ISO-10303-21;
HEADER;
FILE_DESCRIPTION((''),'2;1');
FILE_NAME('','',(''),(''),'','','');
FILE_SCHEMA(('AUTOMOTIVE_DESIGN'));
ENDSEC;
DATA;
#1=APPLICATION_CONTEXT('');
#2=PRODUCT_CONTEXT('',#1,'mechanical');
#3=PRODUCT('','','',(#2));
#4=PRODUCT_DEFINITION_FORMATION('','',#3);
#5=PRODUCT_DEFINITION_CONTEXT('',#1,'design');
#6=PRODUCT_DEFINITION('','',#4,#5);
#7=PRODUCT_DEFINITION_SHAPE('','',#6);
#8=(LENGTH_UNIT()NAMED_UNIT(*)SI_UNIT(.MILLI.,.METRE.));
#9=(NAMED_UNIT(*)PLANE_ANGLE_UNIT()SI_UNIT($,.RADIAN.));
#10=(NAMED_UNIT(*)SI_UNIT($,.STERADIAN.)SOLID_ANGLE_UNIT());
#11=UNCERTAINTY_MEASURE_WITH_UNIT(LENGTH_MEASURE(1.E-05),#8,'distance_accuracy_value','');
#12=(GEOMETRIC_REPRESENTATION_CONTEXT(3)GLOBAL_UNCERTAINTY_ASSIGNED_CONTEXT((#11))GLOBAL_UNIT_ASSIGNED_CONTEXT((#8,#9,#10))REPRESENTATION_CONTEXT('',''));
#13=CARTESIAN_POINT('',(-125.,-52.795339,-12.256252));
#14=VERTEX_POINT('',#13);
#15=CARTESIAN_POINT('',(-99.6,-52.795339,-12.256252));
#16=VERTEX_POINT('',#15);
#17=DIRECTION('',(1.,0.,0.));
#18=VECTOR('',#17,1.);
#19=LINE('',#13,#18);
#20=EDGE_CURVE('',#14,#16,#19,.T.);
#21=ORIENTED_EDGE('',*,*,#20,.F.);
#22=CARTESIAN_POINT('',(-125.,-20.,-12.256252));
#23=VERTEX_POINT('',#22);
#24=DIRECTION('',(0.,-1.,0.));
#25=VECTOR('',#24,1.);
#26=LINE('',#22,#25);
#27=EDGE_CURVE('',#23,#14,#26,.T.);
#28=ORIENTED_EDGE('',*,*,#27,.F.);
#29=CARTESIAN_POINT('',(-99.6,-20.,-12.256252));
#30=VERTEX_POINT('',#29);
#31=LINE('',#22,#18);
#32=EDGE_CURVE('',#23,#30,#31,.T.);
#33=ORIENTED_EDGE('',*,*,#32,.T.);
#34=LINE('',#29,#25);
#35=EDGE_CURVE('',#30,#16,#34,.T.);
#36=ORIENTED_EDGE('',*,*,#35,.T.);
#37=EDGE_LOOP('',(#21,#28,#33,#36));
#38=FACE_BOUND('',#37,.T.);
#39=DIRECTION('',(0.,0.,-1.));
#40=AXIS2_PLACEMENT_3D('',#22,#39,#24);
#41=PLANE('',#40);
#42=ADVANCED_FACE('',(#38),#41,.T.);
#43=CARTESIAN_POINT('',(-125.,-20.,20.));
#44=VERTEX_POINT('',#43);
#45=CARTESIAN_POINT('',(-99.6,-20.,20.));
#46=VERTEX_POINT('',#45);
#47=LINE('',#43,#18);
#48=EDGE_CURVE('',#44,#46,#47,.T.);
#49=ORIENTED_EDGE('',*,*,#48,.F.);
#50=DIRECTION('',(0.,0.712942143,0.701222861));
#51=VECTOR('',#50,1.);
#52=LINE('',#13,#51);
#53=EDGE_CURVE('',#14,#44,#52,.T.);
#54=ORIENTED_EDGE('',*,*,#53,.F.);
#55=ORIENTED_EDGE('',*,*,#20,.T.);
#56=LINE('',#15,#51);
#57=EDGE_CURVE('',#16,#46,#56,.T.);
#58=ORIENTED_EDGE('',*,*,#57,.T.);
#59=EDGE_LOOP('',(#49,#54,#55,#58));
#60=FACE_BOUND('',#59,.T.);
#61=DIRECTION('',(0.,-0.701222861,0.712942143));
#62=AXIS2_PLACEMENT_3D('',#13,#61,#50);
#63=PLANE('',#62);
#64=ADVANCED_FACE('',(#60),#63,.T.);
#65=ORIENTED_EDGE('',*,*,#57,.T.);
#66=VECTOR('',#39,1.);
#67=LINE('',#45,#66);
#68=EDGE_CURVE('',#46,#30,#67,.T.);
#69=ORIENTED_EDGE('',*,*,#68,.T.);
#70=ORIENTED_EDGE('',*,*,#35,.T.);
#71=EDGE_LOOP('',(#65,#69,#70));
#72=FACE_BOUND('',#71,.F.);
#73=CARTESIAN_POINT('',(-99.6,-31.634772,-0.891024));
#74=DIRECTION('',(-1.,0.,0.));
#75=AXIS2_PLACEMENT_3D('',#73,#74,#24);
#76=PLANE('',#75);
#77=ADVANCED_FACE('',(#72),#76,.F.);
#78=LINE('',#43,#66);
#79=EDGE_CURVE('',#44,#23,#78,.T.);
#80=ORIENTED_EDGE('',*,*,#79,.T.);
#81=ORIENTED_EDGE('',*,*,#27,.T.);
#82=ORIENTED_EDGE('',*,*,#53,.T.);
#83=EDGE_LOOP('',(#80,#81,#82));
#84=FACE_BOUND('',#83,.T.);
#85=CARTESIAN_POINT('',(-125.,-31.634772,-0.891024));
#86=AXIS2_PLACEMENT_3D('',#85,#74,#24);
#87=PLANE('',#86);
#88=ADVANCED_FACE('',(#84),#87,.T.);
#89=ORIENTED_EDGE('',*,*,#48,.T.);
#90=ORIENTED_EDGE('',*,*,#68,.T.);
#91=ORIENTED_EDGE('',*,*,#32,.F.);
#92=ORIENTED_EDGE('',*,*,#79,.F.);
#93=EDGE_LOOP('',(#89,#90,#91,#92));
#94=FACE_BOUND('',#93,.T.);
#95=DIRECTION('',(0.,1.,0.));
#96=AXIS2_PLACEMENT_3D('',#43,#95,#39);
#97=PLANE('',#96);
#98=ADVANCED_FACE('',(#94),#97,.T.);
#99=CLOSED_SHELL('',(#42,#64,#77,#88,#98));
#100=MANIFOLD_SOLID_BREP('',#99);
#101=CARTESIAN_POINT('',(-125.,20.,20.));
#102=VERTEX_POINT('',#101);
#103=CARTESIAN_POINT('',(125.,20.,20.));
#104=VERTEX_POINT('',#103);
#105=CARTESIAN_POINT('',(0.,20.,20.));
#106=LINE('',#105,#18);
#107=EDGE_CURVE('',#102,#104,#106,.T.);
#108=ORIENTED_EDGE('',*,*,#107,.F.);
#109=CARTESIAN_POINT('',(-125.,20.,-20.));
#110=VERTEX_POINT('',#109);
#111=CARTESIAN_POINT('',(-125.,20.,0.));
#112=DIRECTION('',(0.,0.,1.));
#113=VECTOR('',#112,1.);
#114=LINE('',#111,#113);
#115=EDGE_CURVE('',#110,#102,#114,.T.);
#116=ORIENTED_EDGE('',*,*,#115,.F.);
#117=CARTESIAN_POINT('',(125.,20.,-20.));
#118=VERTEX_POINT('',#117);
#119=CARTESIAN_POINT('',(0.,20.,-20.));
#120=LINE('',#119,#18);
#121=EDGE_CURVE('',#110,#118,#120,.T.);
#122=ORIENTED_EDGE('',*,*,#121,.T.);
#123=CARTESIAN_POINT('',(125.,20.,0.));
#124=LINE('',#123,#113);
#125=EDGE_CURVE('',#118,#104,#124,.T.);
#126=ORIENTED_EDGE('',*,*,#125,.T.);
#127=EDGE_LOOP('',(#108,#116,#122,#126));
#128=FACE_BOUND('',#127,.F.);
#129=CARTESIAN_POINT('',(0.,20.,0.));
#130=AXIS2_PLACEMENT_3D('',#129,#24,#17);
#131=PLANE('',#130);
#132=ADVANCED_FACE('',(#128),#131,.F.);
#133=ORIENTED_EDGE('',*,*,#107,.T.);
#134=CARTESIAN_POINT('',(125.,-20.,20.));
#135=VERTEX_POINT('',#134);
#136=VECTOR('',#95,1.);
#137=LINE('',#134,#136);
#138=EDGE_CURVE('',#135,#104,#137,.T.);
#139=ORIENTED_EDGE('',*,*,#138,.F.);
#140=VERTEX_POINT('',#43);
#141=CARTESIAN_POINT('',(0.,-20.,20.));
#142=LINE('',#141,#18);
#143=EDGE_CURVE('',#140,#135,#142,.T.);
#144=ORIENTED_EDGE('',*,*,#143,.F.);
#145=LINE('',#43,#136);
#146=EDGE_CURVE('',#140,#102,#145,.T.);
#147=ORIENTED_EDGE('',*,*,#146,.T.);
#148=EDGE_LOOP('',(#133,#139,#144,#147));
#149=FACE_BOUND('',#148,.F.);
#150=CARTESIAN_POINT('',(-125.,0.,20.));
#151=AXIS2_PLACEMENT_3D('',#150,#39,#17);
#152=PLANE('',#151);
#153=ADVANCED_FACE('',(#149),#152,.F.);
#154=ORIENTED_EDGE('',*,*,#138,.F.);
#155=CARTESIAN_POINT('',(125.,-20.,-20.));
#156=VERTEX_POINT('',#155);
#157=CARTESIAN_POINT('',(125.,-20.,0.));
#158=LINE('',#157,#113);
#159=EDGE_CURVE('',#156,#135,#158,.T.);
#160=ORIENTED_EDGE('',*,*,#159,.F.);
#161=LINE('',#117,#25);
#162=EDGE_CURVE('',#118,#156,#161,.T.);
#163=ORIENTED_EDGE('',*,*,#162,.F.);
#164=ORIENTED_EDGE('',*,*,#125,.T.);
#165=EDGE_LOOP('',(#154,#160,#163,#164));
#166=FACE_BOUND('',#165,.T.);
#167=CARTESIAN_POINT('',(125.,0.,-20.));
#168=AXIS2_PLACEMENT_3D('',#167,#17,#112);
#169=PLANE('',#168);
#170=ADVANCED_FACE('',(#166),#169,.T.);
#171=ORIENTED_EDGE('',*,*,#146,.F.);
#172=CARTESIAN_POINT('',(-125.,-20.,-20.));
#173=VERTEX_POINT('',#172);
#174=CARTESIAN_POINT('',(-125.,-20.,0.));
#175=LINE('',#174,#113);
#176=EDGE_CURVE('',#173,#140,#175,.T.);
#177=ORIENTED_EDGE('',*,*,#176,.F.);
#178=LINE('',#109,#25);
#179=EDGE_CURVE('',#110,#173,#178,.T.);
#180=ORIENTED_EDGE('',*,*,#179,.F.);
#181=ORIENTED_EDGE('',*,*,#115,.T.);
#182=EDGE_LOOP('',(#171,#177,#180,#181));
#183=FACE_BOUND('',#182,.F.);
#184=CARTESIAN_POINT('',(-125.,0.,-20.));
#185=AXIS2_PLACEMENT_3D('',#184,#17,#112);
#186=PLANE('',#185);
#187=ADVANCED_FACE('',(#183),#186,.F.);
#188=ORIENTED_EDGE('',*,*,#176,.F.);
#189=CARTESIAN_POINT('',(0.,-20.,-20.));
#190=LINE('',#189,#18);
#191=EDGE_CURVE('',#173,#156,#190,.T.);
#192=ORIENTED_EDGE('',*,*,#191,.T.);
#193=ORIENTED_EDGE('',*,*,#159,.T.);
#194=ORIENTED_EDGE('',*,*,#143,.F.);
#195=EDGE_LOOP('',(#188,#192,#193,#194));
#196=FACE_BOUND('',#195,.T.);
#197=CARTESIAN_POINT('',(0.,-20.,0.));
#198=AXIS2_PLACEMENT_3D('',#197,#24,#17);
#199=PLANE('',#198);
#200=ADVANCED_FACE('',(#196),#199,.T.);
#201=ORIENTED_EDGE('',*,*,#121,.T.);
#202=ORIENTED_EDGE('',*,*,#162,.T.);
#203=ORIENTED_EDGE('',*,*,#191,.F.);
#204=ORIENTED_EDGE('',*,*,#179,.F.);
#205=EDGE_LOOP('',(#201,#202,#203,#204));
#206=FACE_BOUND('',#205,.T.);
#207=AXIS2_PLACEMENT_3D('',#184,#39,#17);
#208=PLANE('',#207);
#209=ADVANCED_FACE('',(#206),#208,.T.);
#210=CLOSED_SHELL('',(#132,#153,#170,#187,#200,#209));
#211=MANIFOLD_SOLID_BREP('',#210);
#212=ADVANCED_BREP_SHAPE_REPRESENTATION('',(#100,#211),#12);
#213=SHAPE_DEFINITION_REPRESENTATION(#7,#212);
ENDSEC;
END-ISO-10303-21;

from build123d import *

# Parameters (mm, degrees)
F0_W          = 250
F0_H          = 40
F1_DEPTH      = 20
F1_DEPTH_BACK = 20
F3_DEPTH      = 25.4


with BuildPart() as f1:
    # F0 (on Front) → F1 (new body, two sides)
    with BuildSketch(Plane.XZ) as f1_sk:
        Rectangle(F0_W, F0_H)
    extrude(amount=F1_DEPTH)
    extrude(f1_sk.sketch, amount=-F1_DEPTH_BACK)


with BuildPart() as f3:
    # F2 (on face) → F3 (new body)
    with BuildSketch(Plane(origin=(-125, 0, 0), x_dir=(0, -1, 0), z_dir=(-1, 0, 0))):
        Polygon((20, 20), (20, -12.256252), (52.795339, -12.256252), align=None)
    extrude(amount=-F3_DEPTH)


solid = Compound([f1.part, f3.part])
